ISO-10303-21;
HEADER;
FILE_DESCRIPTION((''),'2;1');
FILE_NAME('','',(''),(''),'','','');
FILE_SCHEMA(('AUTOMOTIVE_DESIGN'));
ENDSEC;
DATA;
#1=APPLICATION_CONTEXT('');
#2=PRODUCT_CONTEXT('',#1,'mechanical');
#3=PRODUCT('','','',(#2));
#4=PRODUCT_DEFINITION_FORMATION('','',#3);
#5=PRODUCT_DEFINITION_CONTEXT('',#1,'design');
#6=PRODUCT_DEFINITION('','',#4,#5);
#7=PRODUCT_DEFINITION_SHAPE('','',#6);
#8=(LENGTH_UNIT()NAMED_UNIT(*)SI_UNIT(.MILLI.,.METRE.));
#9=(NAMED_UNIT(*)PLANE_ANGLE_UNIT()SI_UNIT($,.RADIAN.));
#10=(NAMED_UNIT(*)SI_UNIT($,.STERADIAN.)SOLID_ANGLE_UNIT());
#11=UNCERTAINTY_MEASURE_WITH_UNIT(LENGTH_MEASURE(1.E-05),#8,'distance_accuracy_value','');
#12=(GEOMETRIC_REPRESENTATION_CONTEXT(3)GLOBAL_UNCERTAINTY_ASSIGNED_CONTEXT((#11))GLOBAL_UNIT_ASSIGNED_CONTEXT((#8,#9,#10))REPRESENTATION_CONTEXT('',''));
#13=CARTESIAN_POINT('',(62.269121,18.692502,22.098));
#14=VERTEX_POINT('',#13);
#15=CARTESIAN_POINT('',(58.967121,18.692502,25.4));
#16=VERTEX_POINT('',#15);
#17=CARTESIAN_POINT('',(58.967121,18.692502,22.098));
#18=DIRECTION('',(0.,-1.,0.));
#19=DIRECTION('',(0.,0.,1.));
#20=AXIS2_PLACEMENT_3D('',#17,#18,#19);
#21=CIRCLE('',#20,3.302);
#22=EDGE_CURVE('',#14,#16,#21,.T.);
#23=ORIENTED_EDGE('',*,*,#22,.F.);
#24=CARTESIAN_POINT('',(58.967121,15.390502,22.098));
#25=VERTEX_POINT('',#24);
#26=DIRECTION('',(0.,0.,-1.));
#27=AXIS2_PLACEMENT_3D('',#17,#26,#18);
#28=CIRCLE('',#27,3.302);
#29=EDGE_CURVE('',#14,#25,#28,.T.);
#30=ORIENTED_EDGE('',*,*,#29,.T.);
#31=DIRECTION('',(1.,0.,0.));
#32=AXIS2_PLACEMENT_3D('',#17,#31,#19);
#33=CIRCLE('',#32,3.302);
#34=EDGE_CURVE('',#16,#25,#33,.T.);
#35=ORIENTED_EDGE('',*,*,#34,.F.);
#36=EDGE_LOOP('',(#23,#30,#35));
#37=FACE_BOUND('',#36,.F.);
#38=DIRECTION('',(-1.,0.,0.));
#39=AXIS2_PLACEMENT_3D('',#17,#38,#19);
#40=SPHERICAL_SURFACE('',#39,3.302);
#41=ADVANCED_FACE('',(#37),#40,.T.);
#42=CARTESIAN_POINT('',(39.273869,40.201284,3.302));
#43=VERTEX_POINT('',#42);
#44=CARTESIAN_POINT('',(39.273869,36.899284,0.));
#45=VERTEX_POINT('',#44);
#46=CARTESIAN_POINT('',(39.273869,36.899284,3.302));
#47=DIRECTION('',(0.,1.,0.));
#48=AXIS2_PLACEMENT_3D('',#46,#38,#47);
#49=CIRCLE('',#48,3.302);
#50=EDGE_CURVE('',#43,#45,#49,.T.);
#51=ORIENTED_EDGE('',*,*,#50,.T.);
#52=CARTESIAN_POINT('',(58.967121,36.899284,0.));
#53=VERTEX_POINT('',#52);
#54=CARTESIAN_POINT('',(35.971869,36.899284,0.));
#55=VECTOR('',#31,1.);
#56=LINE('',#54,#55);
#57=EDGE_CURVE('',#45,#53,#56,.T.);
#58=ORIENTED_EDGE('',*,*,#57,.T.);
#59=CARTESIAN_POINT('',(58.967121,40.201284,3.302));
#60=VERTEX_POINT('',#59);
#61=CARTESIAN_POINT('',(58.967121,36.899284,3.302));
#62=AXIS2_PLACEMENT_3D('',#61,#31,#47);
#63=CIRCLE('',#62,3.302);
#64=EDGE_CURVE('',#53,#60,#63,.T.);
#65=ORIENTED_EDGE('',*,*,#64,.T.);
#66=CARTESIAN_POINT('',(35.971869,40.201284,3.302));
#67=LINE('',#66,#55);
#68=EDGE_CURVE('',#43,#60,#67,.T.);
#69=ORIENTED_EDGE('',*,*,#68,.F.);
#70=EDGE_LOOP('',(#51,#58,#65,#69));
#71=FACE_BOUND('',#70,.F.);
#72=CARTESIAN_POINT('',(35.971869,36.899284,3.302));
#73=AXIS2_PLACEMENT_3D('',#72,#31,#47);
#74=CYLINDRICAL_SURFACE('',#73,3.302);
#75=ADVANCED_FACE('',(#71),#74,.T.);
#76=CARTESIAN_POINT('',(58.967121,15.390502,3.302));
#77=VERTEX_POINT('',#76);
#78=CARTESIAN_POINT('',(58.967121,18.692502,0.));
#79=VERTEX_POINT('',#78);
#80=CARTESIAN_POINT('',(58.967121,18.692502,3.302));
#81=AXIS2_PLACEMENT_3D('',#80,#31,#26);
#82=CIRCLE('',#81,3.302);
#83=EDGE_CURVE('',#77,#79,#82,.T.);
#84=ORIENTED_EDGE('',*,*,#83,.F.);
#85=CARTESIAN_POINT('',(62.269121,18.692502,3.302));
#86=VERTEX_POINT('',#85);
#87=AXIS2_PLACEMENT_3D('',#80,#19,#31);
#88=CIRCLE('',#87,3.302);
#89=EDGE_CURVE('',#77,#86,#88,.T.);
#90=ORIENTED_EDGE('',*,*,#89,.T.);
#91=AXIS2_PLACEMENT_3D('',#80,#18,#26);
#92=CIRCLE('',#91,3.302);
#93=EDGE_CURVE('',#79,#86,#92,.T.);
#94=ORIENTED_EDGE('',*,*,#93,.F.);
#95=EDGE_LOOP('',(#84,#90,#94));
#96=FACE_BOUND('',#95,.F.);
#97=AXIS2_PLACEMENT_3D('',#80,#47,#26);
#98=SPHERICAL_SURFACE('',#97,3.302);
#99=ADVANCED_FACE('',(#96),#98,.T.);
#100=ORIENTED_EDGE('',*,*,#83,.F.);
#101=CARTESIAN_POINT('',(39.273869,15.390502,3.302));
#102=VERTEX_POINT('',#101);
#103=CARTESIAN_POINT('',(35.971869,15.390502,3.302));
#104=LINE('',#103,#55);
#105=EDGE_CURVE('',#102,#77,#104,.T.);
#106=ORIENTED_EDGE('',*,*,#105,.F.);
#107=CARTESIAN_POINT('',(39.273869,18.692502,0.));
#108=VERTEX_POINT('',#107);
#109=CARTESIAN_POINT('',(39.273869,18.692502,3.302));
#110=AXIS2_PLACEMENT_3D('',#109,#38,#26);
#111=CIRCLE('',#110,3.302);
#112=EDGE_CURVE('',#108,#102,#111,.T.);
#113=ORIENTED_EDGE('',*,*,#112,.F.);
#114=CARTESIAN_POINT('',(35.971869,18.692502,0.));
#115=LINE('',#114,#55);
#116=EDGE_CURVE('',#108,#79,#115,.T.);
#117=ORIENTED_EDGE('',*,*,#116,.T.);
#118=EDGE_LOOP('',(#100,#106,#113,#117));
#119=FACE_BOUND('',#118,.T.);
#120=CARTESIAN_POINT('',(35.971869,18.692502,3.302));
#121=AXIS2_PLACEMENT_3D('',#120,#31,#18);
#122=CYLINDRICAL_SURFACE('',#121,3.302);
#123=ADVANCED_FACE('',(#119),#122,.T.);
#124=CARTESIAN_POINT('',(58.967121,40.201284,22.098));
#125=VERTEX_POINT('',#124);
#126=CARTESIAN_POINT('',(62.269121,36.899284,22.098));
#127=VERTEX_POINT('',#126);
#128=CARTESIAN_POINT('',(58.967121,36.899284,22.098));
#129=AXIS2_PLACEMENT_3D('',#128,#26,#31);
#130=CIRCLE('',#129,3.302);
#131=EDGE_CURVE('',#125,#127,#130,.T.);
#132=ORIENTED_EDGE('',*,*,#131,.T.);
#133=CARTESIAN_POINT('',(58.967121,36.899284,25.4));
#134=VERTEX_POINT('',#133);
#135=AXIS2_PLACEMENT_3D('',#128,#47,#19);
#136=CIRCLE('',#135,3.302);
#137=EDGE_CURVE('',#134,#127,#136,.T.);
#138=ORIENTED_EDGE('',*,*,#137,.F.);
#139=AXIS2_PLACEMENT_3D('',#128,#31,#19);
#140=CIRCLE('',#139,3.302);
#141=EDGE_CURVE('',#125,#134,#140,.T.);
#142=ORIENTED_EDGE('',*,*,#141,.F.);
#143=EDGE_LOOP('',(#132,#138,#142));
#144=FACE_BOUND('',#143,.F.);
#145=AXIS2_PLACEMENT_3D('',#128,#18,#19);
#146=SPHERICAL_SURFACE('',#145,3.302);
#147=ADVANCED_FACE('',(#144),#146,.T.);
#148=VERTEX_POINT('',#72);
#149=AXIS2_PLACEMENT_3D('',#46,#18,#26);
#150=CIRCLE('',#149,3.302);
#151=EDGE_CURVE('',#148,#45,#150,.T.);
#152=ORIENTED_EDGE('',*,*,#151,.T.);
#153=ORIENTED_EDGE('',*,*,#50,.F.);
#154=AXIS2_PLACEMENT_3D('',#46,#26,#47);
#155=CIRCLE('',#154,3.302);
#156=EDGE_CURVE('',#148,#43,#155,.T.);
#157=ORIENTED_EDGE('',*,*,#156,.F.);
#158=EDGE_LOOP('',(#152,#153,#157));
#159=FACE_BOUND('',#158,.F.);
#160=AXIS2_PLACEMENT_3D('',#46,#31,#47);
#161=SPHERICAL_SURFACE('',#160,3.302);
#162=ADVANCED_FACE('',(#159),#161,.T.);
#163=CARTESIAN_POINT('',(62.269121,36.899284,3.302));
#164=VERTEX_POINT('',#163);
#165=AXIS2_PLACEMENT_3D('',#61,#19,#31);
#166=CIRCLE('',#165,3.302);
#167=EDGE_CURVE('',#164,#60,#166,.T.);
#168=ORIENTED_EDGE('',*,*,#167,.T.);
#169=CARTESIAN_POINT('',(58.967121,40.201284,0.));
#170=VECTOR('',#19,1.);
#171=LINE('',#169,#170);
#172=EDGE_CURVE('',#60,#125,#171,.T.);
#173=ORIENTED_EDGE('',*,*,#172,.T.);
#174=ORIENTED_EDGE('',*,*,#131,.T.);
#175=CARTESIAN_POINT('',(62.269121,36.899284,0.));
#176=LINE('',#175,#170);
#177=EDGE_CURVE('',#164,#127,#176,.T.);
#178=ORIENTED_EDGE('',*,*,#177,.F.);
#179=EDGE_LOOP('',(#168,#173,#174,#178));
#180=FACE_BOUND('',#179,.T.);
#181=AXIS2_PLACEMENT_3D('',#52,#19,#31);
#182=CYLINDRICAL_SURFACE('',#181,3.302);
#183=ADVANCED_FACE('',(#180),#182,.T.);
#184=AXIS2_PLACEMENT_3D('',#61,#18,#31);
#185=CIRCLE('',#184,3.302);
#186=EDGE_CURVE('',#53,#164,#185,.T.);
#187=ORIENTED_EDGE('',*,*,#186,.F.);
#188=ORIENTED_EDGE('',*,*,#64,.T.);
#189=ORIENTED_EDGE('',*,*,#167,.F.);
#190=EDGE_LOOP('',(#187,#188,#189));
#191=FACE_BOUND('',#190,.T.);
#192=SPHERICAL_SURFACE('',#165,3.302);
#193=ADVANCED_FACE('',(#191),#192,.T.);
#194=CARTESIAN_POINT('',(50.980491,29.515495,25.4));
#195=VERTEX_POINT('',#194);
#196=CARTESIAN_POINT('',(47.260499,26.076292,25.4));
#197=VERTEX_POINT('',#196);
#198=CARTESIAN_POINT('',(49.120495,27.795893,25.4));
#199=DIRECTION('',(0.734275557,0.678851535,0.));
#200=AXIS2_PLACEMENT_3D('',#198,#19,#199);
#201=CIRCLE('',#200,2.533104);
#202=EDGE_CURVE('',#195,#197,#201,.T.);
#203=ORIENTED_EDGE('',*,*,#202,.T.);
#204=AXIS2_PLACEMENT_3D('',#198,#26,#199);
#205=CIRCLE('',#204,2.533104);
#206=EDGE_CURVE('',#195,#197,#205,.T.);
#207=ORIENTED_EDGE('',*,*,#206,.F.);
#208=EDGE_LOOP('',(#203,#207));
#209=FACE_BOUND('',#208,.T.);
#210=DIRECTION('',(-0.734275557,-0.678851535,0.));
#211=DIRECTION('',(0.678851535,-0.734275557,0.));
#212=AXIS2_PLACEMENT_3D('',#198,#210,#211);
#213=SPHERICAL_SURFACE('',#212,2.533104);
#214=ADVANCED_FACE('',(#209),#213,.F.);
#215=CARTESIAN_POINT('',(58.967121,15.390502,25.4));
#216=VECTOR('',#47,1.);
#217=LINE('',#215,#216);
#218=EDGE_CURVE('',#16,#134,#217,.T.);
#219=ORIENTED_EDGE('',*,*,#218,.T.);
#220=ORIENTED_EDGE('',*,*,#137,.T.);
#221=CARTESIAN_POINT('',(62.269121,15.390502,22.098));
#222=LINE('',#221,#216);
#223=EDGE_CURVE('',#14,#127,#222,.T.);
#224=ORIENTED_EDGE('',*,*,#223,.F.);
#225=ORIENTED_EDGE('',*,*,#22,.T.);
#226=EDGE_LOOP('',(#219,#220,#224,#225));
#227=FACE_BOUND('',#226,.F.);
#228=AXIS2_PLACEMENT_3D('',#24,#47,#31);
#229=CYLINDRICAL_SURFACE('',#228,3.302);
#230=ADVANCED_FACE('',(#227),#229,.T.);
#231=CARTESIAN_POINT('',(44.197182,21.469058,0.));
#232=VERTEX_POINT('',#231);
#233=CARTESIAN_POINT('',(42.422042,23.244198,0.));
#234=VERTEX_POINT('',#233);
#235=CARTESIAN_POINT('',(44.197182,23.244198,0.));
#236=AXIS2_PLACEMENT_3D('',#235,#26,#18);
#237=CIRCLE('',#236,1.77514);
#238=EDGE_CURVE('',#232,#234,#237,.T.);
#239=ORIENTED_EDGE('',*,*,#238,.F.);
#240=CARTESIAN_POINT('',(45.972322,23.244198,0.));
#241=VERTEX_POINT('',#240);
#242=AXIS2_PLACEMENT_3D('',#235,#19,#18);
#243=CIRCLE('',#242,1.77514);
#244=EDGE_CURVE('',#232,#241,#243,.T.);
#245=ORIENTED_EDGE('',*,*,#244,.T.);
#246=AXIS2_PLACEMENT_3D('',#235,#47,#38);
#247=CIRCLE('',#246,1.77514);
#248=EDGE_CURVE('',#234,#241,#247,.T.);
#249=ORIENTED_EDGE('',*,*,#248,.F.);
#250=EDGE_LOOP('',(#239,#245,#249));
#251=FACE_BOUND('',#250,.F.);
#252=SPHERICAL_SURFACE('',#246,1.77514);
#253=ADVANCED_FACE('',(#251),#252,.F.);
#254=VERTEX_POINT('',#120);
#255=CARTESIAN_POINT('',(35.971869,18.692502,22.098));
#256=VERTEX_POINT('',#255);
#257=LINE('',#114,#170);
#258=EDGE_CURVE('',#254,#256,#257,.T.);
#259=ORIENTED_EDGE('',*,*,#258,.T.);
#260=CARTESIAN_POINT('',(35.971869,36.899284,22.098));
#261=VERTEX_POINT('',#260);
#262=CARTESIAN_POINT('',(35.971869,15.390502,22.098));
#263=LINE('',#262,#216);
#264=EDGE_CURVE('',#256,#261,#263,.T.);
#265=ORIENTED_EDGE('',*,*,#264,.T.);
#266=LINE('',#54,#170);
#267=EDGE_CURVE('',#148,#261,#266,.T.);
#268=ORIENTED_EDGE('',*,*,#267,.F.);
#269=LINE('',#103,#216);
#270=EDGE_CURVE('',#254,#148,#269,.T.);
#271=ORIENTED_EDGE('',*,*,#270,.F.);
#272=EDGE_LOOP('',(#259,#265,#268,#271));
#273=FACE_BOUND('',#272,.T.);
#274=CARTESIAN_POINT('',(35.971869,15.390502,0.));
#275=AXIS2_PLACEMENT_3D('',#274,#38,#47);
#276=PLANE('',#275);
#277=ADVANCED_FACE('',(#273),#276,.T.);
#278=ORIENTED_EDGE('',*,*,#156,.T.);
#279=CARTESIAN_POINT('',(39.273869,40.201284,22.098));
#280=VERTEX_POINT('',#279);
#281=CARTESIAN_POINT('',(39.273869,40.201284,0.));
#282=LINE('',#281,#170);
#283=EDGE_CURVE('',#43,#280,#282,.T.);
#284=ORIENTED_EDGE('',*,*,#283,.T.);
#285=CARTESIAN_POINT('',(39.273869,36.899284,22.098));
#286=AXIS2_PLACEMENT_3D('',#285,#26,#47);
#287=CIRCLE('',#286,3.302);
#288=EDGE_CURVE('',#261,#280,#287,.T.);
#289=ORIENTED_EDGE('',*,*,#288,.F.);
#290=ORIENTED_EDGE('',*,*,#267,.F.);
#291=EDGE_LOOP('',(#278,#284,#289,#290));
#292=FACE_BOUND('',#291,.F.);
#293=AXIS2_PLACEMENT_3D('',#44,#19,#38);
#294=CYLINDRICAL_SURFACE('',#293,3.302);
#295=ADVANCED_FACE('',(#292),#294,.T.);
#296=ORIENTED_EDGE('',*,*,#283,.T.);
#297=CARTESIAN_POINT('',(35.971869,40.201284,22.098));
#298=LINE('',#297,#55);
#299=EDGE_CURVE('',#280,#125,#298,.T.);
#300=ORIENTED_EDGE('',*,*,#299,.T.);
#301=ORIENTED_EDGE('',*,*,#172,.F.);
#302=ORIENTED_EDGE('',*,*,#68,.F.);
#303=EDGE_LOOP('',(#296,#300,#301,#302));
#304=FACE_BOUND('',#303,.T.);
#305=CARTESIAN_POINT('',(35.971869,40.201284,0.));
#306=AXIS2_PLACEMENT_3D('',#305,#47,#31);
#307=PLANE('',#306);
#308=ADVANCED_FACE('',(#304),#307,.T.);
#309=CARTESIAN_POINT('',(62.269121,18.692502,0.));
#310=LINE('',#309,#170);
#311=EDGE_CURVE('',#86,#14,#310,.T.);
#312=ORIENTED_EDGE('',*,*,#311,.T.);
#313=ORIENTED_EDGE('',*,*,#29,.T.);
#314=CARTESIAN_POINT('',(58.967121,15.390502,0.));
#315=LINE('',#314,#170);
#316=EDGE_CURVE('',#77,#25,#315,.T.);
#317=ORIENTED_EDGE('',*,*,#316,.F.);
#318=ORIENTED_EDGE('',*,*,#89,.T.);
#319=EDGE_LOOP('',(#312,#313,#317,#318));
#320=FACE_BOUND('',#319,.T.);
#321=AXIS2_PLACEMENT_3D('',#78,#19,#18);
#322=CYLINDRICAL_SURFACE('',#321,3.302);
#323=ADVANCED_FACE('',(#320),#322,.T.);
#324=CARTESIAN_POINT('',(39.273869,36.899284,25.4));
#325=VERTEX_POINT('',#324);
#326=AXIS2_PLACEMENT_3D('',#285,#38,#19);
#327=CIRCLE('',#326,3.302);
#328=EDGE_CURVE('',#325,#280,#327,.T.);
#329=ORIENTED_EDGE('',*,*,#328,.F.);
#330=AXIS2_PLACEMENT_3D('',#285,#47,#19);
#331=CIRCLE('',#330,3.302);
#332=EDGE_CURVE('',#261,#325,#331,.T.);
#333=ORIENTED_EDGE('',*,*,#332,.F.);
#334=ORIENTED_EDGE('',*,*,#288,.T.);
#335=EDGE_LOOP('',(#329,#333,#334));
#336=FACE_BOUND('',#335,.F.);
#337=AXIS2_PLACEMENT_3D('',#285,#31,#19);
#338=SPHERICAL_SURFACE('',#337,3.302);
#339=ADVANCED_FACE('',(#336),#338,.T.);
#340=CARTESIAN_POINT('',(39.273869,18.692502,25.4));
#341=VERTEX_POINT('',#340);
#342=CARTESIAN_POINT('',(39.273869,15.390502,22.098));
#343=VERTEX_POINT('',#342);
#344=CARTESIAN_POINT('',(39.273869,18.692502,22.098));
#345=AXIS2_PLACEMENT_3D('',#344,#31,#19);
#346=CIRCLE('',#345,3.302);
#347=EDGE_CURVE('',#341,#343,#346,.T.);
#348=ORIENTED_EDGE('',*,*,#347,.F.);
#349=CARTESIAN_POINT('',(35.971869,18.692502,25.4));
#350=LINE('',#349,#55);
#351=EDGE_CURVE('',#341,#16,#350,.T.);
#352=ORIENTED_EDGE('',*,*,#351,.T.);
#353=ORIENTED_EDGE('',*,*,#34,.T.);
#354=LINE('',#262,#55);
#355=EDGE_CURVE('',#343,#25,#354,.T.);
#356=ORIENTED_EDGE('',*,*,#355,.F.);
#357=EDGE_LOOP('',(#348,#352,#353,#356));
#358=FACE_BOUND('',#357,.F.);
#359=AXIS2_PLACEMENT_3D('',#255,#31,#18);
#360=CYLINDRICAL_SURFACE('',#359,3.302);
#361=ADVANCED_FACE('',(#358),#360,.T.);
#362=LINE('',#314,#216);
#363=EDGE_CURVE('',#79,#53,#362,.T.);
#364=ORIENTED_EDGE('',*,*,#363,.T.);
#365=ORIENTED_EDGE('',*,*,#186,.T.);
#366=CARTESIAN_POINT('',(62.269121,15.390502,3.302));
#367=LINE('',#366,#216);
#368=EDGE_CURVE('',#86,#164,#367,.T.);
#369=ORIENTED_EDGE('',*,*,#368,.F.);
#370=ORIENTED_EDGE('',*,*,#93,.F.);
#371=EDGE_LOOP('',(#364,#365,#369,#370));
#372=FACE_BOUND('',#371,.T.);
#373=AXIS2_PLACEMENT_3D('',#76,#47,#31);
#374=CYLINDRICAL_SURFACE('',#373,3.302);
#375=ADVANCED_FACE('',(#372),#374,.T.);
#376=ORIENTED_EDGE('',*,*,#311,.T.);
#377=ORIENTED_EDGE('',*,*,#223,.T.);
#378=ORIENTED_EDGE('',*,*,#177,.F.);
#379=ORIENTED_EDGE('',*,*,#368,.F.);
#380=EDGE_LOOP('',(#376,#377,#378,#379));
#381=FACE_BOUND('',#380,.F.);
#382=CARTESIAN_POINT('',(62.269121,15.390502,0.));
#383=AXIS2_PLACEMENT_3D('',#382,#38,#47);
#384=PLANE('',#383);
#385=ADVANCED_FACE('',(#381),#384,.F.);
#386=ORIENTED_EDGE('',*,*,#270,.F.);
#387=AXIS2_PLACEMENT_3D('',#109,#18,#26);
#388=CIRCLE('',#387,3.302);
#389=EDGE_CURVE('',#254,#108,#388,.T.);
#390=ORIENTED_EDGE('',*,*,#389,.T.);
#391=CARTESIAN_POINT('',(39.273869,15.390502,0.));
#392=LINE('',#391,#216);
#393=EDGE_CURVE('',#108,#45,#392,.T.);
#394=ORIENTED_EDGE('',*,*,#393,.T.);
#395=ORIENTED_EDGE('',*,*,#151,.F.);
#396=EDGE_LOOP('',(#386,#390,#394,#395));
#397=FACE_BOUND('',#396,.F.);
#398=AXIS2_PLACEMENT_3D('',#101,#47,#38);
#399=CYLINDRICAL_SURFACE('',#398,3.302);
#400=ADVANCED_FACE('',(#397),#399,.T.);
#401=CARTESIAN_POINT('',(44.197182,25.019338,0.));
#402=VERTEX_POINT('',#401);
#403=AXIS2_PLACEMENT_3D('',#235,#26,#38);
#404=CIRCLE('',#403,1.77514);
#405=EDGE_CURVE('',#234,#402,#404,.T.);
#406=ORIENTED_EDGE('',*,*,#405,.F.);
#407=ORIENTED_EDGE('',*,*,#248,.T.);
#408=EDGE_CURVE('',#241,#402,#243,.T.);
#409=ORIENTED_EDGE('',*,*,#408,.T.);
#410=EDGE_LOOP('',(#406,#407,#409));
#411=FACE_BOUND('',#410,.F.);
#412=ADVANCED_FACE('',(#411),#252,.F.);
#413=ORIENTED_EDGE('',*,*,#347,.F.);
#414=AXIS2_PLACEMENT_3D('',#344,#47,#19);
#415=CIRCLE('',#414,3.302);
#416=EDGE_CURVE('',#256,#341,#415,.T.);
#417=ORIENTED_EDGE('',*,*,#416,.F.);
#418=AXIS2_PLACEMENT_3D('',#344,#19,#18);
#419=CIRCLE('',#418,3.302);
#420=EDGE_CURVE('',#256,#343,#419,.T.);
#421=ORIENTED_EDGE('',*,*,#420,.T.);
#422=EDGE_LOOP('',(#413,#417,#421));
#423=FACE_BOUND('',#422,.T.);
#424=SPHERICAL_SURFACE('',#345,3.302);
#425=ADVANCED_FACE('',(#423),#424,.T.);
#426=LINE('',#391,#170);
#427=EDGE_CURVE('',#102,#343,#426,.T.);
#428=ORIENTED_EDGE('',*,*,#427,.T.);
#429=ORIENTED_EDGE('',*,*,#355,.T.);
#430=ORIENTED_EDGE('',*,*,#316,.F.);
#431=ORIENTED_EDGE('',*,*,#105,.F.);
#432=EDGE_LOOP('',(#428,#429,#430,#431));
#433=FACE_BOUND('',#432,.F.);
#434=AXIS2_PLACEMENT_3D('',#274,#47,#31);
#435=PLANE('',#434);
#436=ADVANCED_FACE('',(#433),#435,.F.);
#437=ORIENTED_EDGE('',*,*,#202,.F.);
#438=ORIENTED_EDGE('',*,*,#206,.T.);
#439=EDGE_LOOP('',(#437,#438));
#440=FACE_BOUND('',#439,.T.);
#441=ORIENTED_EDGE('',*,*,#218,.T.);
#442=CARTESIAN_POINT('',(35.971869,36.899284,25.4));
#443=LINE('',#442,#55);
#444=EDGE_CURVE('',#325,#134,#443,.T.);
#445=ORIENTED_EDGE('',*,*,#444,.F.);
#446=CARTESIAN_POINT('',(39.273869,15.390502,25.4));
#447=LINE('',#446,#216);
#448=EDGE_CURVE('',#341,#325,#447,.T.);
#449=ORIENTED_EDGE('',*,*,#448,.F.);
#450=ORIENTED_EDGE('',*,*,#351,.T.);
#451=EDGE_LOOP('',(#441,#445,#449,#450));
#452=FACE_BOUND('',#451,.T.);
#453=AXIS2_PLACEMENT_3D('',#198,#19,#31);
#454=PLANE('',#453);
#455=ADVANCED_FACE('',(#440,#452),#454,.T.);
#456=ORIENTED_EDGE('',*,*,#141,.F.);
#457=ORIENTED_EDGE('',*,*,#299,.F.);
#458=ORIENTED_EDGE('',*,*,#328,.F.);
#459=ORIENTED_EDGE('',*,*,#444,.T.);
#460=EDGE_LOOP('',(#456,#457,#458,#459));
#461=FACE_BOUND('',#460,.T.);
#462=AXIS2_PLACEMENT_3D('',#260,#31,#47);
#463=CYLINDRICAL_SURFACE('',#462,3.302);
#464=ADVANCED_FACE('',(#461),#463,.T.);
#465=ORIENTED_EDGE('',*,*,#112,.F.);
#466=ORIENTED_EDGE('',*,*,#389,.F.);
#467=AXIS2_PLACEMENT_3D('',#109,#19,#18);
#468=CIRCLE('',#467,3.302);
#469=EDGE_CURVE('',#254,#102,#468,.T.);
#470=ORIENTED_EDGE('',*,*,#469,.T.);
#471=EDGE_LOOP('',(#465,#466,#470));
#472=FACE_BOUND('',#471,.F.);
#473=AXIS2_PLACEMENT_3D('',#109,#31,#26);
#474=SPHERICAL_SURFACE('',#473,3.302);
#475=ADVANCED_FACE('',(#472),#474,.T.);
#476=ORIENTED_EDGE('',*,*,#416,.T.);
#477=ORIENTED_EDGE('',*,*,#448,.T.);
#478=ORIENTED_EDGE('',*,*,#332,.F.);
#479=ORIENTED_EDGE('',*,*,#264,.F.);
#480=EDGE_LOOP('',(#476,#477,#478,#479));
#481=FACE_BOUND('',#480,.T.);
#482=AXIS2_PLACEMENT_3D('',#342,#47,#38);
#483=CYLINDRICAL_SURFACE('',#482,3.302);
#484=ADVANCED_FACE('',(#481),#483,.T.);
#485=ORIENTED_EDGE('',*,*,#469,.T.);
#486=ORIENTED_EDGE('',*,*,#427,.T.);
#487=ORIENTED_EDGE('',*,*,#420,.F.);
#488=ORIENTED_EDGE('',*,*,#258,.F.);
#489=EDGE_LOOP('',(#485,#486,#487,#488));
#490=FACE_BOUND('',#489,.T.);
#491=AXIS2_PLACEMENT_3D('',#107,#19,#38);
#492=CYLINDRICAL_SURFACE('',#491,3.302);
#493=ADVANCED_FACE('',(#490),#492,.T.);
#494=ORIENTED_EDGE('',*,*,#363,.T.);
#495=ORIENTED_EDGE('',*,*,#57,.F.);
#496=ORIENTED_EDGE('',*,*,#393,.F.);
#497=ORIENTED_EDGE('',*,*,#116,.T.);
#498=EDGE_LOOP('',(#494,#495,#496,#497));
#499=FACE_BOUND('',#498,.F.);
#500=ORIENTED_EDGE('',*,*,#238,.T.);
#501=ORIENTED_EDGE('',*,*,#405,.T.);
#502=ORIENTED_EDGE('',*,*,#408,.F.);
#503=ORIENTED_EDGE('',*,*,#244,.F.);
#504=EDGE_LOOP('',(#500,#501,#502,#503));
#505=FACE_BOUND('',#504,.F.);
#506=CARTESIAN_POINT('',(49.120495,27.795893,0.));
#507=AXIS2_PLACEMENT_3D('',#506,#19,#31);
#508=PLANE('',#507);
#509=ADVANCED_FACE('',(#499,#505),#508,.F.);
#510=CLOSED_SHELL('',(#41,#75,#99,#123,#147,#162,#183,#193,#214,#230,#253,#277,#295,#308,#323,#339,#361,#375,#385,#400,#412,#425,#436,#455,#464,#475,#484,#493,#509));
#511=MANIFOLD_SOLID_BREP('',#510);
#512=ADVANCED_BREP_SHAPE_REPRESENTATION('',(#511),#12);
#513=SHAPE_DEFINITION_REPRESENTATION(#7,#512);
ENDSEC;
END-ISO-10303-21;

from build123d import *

# Parameters (mm, degrees)
F0_W          = 26.2972526252
F0_H          = 24.8107817024
F1_DEPTH      = 25.4
F2_R          = 3.302
F4_ANGLE_BACK = 180
F4_ANGLE      = 180


with BuildPart() as f1:
    # F0 (on Top) → F1 (new body)
    with BuildSketch(Plane.XY):
        with Locations((49.1204950958, 27.7958931401)):
            Rectangle(F0_W, F0_H)
    extrude(amount=F1_DEPTH)

    # F2
    f2_edges = [f1.edges().sort_by_distance(p)[0] for p in [
        (49.120495, 15.390502, 25.4),
        (62.269121, 27.795893, 25.4),
        (49.120495, 40.201284, 25.4),
        (35.971869, 27.795893, 25.4),
        (62.269121, 40.201284, 12.7),
        (62.269121, 27.795893, 0),
        (49.120495, 40.201284, 0),
        (35.971869, 40.201284, 12.7),
        (49.120495, 15.390502, 0),
        (35.971869, 27.795893, 0),
        (35.971869, 15.390502, 12.7),
        (62.269121, 15.390502, 12.7),
    ]]
    fillet(f2_edges, radius=F2_R)

    # F3 (on face) → F4 (revolve, cut)
    with BuildSketch(Plane.XY.offset(25.4), mode=Mode.PRIVATE) as f4_sk:
        with BuildLine():
            ThreePointArc((50.9804914392, 29.5154946725), (47.4008935635, 29.6558894835), (47.2604987525, 26.0762916078))
            Line((47.2604987525, 26.0762916078), (50.9804914392, 29.5154946725))
        make_face()
    revolve(f4_sk.sketch.rotate(Axis((49.1204950958, 27.7958931401, 25.4), (0.7342755569, 0.678851535, 0)), -F4_ANGLE_BACK), axis=Axis((49.1204950958, 27.7958931401, 25.4), (0.7342755569, 0.678851535, 0)), revolution_arc=F4_ANGLE, mode=Mode.SUBTRACT)

    # F5 (on face) → F6 (revolve, cut)
    with BuildSketch(Plane(origin=(0, 0, 0), x_dir=(1, 0, 0), z_dir=(0, 0, -1))):
        with BuildLine():
            Line((44.1971819395, -23.2441977145), (42.4220417874, -23.2441977145))
            ThreePointArc((42.4220417874, -23.2441977145), (42.9419683004, -24.4994113537), (44.1971819395, -25.0193378667))
            Line((44.1971819395, -25.0193378667), (44.1971819395, -23.2441977145))
        make_face()
        with BuildLine():
            Line((44.1971819395, -23.2441977145), (44.1971819395, -21.4690575624))
            ThreePointArc((44.1971819395, -21.4690575624), (42.9419683004, -21.9889840754), (42.4220417874, -23.2441977145))
            Line((42.4220417874, -23.2441977145), (44.1971819395, -23.2441977145))
        make_face()
    revolve(axis=Axis((44.1971819395, 23.2441977145, 0), (0, 1, 0)), mode=Mode.SUBTRACT)


solid = f1.part
